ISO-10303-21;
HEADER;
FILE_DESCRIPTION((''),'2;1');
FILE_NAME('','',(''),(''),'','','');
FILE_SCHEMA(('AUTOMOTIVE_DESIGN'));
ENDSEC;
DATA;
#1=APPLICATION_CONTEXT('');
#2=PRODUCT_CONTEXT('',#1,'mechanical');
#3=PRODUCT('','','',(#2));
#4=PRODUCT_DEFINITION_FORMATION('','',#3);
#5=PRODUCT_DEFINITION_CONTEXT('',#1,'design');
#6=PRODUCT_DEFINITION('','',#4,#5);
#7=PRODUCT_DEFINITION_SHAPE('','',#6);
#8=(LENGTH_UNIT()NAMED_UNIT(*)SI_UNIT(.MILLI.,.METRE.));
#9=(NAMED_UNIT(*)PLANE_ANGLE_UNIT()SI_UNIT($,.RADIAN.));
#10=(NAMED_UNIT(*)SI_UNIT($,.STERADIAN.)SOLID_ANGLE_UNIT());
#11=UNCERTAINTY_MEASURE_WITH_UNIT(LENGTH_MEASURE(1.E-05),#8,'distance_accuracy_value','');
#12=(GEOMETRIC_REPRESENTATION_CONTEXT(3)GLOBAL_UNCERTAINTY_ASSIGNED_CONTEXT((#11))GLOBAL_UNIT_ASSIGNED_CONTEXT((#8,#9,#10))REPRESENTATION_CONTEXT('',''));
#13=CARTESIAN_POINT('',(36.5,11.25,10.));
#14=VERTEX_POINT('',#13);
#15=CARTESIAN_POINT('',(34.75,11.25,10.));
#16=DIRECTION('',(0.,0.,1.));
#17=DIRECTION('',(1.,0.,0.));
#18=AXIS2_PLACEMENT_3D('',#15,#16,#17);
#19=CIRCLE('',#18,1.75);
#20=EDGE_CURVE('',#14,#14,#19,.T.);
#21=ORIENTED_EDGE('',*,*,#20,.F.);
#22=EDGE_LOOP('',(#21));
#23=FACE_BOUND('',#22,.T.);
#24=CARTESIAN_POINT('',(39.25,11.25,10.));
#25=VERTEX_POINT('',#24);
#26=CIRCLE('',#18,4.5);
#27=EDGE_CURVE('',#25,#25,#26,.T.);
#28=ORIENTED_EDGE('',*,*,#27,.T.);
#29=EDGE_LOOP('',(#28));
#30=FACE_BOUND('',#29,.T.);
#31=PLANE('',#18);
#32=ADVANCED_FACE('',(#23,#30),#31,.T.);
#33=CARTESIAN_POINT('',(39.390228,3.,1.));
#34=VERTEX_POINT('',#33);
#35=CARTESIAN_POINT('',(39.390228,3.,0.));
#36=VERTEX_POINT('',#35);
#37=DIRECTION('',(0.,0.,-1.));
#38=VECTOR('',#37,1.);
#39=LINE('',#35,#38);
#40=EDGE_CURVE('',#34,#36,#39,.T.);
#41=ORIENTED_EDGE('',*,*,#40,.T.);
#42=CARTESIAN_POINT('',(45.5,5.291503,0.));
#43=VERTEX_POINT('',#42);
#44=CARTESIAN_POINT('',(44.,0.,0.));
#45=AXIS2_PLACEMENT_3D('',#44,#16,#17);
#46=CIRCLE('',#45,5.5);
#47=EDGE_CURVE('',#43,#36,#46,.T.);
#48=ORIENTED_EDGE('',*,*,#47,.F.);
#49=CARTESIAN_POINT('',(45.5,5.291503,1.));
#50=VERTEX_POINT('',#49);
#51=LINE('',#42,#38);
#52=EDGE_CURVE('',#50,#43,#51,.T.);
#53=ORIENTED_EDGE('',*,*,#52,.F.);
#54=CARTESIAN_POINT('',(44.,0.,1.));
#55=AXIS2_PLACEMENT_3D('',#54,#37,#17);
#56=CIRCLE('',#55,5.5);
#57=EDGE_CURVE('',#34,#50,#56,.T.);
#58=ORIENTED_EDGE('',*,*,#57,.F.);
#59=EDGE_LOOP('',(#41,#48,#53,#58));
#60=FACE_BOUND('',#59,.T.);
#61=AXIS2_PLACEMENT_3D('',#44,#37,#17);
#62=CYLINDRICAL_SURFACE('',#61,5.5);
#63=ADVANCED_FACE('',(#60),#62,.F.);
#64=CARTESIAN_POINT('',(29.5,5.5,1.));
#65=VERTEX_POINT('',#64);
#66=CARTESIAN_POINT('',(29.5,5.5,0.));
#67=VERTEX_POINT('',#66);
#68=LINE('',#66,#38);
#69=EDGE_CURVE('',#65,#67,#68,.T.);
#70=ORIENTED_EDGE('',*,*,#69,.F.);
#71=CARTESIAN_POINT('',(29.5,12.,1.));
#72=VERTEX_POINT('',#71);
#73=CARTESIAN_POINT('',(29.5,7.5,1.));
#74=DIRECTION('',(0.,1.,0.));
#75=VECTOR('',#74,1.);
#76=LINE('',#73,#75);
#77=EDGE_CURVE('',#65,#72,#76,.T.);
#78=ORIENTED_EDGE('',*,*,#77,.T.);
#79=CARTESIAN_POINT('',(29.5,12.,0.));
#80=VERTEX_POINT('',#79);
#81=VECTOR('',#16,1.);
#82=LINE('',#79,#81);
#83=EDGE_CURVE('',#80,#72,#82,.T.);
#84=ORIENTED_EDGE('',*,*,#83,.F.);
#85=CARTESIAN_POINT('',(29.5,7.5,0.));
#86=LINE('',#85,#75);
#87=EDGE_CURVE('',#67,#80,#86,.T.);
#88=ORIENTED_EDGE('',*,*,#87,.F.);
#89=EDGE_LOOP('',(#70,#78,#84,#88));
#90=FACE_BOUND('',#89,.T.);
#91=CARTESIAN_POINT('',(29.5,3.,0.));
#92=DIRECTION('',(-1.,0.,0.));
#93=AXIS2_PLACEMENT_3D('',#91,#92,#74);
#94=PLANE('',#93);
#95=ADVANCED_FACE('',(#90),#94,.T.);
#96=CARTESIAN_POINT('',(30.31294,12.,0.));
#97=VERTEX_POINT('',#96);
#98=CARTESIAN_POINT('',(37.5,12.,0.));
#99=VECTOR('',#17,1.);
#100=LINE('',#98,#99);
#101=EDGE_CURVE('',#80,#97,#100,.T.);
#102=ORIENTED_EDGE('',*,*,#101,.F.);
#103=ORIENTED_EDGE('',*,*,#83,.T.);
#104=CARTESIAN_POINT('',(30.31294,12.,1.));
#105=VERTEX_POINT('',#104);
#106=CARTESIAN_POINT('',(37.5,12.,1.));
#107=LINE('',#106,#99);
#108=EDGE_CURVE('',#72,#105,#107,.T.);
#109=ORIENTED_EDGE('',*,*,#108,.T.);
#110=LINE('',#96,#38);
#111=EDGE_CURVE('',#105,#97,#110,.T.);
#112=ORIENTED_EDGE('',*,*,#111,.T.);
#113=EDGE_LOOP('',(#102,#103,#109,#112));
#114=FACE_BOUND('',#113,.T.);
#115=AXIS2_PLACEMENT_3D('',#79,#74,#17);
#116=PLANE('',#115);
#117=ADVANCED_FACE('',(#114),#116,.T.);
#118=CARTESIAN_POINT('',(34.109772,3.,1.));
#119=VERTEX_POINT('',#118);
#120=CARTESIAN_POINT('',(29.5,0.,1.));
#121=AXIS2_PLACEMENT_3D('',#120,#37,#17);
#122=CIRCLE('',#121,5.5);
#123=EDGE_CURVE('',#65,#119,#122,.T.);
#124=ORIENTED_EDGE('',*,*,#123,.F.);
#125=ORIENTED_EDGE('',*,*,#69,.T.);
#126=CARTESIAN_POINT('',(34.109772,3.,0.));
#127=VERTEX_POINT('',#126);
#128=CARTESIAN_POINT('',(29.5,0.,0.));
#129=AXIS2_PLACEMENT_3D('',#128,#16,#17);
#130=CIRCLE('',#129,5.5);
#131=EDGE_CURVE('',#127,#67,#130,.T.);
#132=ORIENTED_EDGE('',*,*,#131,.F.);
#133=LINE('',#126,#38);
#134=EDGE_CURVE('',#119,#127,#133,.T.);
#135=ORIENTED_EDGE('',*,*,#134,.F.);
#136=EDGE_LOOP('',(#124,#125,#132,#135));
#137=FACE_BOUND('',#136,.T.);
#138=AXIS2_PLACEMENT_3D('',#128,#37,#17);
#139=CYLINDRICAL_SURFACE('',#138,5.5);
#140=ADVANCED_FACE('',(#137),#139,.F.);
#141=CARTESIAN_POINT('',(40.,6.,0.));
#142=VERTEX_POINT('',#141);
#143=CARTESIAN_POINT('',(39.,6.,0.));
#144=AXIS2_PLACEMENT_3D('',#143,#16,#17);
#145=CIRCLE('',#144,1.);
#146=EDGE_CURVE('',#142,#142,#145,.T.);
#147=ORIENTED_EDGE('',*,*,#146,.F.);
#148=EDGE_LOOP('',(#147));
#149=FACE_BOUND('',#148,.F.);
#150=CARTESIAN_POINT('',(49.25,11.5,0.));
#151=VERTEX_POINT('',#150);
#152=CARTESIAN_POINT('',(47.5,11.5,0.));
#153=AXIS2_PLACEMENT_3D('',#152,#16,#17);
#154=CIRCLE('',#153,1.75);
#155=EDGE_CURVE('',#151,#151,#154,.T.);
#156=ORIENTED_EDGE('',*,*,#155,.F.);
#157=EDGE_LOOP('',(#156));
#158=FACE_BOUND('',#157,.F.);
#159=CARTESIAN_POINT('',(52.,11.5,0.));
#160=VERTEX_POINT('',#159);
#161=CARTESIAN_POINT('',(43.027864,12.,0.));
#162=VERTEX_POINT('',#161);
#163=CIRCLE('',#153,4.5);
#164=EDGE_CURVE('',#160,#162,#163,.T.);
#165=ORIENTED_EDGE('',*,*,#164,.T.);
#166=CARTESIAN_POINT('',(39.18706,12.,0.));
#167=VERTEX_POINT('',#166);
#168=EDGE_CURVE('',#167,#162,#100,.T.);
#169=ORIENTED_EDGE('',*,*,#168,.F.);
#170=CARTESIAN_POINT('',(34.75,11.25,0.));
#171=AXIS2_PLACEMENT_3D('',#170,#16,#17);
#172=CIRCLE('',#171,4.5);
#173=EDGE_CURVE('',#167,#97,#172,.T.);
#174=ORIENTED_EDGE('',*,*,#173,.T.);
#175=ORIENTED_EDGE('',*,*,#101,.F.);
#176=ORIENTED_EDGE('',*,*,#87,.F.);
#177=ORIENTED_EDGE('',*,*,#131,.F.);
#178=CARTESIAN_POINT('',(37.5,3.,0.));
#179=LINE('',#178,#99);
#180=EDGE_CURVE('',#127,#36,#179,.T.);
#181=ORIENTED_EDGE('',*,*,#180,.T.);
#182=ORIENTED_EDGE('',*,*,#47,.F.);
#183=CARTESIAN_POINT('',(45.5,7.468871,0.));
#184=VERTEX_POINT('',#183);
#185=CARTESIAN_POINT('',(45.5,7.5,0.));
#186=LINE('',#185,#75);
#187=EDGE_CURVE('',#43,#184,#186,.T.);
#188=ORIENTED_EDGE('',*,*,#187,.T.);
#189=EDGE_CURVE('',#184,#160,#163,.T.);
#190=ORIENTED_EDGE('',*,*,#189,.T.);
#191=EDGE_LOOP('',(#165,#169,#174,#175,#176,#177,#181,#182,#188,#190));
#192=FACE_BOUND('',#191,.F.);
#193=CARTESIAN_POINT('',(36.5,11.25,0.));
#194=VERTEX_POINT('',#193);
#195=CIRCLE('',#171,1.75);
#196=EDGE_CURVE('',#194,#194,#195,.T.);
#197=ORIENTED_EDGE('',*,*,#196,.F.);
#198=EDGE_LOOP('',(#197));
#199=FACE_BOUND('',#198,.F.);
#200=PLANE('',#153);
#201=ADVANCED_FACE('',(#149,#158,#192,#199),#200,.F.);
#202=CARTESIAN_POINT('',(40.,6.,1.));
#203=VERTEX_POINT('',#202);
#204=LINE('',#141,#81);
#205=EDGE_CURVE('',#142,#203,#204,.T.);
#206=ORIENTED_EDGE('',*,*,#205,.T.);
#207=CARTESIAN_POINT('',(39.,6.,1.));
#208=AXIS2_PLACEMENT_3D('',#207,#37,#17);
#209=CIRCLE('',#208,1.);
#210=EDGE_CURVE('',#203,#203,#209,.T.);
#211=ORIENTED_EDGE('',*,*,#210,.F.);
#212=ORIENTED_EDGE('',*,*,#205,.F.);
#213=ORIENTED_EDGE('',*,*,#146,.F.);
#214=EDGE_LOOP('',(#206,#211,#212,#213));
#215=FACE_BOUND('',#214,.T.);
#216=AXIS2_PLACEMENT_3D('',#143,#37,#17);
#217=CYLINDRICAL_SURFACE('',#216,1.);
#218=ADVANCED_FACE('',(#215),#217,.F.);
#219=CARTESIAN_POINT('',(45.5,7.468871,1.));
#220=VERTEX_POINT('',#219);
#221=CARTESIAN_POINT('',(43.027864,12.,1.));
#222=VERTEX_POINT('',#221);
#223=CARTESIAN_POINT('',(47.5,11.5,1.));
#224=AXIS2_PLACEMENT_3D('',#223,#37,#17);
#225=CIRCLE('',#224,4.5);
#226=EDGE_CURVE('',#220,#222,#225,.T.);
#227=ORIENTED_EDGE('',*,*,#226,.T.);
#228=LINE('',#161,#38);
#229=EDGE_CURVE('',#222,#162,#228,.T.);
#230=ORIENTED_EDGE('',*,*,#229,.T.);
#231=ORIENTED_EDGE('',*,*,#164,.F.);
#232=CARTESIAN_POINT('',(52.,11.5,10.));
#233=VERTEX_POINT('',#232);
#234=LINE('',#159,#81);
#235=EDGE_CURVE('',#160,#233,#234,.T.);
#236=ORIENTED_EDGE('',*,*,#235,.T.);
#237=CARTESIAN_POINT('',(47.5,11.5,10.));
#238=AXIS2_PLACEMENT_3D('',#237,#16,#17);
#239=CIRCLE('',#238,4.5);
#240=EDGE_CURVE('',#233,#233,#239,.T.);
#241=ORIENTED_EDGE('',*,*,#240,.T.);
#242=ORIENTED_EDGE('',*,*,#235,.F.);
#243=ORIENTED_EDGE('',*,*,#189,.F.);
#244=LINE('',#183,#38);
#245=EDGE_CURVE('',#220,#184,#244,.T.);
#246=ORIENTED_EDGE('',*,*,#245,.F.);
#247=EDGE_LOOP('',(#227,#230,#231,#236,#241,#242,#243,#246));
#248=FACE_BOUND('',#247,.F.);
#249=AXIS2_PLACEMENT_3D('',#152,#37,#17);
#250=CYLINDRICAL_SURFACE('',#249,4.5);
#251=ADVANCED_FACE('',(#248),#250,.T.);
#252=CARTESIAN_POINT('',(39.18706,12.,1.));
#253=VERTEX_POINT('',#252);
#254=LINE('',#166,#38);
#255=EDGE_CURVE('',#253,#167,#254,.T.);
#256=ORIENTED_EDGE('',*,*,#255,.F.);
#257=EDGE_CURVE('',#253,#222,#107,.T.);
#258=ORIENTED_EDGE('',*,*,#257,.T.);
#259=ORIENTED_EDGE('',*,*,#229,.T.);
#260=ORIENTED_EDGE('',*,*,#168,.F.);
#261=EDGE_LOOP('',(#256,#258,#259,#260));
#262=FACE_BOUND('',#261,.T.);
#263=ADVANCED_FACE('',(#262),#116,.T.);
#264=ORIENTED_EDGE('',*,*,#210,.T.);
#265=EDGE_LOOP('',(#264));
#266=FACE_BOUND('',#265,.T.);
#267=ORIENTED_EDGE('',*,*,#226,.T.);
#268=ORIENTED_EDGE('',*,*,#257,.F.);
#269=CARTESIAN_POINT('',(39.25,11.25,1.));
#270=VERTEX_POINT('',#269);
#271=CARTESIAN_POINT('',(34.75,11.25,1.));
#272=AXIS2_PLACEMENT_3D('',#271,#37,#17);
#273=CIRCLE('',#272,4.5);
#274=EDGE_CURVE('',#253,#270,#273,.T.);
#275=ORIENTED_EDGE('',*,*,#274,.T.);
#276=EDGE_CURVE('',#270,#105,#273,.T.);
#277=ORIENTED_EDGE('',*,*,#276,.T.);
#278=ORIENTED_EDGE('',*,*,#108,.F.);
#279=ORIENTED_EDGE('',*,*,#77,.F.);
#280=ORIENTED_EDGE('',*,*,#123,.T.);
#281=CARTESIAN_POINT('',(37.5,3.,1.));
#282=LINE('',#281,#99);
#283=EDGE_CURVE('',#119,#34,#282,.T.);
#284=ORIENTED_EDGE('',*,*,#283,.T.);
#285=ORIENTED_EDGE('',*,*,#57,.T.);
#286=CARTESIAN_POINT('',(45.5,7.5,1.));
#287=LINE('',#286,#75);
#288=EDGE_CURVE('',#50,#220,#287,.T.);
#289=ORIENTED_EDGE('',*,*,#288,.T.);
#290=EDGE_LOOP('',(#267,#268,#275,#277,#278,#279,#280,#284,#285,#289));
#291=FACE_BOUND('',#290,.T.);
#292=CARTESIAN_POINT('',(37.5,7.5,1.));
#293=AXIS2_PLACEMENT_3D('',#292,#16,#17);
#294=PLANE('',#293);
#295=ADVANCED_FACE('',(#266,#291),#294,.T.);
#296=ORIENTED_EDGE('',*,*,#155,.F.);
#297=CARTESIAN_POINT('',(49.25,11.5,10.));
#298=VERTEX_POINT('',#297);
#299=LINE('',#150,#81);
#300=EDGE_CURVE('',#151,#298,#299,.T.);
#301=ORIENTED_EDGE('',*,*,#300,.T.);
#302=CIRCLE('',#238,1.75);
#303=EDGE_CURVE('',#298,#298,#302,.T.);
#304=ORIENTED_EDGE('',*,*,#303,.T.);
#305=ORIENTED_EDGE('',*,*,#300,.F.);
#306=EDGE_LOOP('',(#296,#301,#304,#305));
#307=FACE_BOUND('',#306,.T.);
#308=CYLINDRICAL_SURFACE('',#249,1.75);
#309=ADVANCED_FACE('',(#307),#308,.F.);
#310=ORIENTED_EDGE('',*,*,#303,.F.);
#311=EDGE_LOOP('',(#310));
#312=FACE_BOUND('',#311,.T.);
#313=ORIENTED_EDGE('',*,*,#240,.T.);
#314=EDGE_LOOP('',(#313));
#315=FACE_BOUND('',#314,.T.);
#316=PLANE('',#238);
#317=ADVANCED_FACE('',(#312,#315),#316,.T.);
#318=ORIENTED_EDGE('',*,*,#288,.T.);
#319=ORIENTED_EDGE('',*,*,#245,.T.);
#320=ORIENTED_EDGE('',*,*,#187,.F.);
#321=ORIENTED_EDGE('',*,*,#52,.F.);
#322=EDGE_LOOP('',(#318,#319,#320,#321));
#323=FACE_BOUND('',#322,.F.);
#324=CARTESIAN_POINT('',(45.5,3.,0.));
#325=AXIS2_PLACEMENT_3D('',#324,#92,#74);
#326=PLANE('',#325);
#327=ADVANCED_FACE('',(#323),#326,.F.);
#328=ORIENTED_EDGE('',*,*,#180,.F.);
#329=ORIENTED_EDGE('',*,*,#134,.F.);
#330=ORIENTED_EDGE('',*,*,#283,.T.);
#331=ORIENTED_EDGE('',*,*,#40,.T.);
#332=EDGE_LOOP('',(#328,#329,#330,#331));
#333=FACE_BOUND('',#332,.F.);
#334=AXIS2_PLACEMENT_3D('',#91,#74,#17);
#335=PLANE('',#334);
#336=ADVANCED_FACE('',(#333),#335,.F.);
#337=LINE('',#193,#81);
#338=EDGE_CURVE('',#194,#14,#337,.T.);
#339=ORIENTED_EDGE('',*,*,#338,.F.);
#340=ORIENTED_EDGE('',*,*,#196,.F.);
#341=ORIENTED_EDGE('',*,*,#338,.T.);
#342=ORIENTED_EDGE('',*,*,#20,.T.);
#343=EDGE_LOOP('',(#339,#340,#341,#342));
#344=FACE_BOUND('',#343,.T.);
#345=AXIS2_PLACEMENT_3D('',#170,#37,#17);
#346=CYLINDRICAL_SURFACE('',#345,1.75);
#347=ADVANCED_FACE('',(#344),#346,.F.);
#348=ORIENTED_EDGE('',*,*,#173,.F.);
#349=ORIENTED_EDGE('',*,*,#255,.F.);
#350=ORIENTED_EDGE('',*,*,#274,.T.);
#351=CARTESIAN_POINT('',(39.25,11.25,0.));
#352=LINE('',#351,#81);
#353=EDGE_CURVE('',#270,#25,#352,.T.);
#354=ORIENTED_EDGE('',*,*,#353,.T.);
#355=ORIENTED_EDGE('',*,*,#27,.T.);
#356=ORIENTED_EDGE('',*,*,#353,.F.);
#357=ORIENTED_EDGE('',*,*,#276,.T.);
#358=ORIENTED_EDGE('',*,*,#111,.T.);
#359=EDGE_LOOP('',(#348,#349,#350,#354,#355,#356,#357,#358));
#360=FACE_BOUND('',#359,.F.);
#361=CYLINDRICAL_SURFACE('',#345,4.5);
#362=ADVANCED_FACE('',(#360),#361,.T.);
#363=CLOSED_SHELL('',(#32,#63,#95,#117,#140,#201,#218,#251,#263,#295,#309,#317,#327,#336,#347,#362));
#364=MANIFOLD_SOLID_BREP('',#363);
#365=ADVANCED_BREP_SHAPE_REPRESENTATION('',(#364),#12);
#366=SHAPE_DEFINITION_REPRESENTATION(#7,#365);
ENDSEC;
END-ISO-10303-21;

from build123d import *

# Parameters (mm, degrees)
CYLINDER010_R     = 1
CYLINDER010_DEPTH = 10
CYLINDER016_R     = 5.5
CYLINDER016_DEPTH = 10
CYLINDER012_R     = 1.75
CYLINDER012_DEPTH = 10
CYLINDER013_R     = 1.75
CYLINDER013_DEPTH = 10
CYLINDER014_R     = 5.5
CYLINDER014_DEPTH = 10
CYLINDER015_R     = 4.5
CYLINDER015_DEPTH = 10
CYLINDER011_R     = 4.5
CYLINDER011_DEPTH = 10
BOX001_W          = 16
BOX001_H          = 9
BOX001_DEPTH      = 1


with BuildPart() as cylinder010:
    # Cylinder010 → Cylinder010 (new body)
    with BuildSketch(Plane(origin=(9, 6, 0), x_dir=(1, 0, 0), z_dir=(0, 0, 1))):
        Circle(CYLINDER010_R)
    extrude(amount=CYLINDER010_DEPTH)


with BuildPart() as cylinder016:
    # Cylinder016 → Cylinder016 (new body)
    with BuildSketch(Plane(origin=(14, 0, 0), x_dir=(1, 0, 0), z_dir=(0, 0, 1))):
        Circle(CYLINDER016_R)
    extrude(amount=CYLINDER016_DEPTH)


with BuildPart() as cylinder012:
    # Cylinder012 → Cylinder012 (new body)
    with BuildSketch(Plane(origin=(17.5, 11.5, 0), x_dir=(1, 0, 0), z_dir=(0, 0, 1))):
        Circle(CYLINDER012_R)
    extrude(amount=CYLINDER012_DEPTH)


with BuildPart() as cylinder013:
    # Cylinder013 → Cylinder013 (new body)
    with BuildSketch(Plane(origin=(4.75, 11.25, 0), x_dir=(1, 0, 0), z_dir=(0, 0, 1))):
        Circle(CYLINDER013_R)
    extrude(amount=CYLINDER013_DEPTH)


with BuildPart() as fusion003:
    # Cylinder014 → Cylinder014 (new body)
    with BuildSketch(Plane(origin=(-0.5, 0, 0), x_dir=(1, 0, 0), z_dir=(0, 0, 1))):
        Circle(CYLINDER014_R)
    extrude(amount=CYLINDER014_DEPTH)

    # Fusion003: union Cylinder010, Cylinder016, Cylinder012, Cylinder013
    add(cylinder010.part)
    add(cylinder016.part)
    add(cylinder012.part)
    add(cylinder013.part)


with BuildPart() as cylinder015:
    # Cylinder015 → Cylinder015 (new body)
    with BuildSketch(Plane(origin=(17.5, 11.5, 0), x_dir=(1, 0, 0), z_dir=(0, 0, 1))):
        Circle(CYLINDER015_R)
    extrude(amount=CYLINDER015_DEPTH)


with BuildPart() as cylinder011:
    # Cylinder011 → Cylinder011 (new body)
    with BuildSketch(Plane(origin=(4.75, 11.25, 0), x_dir=(1, 0, 0), z_dir=(0, 0, 1))):
        Circle(CYLINDER011_R)
    extrude(amount=CYLINDER011_DEPTH)


with BuildPart() as cut004_button_template:
    # Box001 → Box001 (new body)
    with BuildSketch(Plane(origin=(-0.5, 3, 0), x_dir=(1, 0, 0), z_dir=(0, 0, 1))):
        with Locations((8, 4.5)):
            Rectangle(BOX001_W, BOX001_H)
    extrude(amount=BOX001_DEPTH)

    # Fusion004: union Cylinder015, Cylinder011
    add(cylinder015.part)
    add(cylinder011.part)

    # Cut004: cut Fusion003
    add(fusion003.part, mode=Mode.SUBTRACT)


with BuildPart() as cut004_button_template_1:
    # Cut004 placement: moved
    add(cut004_button_template.part.moved(Location((30, 0, 0))))


solid = cut004_button_template_1.part
